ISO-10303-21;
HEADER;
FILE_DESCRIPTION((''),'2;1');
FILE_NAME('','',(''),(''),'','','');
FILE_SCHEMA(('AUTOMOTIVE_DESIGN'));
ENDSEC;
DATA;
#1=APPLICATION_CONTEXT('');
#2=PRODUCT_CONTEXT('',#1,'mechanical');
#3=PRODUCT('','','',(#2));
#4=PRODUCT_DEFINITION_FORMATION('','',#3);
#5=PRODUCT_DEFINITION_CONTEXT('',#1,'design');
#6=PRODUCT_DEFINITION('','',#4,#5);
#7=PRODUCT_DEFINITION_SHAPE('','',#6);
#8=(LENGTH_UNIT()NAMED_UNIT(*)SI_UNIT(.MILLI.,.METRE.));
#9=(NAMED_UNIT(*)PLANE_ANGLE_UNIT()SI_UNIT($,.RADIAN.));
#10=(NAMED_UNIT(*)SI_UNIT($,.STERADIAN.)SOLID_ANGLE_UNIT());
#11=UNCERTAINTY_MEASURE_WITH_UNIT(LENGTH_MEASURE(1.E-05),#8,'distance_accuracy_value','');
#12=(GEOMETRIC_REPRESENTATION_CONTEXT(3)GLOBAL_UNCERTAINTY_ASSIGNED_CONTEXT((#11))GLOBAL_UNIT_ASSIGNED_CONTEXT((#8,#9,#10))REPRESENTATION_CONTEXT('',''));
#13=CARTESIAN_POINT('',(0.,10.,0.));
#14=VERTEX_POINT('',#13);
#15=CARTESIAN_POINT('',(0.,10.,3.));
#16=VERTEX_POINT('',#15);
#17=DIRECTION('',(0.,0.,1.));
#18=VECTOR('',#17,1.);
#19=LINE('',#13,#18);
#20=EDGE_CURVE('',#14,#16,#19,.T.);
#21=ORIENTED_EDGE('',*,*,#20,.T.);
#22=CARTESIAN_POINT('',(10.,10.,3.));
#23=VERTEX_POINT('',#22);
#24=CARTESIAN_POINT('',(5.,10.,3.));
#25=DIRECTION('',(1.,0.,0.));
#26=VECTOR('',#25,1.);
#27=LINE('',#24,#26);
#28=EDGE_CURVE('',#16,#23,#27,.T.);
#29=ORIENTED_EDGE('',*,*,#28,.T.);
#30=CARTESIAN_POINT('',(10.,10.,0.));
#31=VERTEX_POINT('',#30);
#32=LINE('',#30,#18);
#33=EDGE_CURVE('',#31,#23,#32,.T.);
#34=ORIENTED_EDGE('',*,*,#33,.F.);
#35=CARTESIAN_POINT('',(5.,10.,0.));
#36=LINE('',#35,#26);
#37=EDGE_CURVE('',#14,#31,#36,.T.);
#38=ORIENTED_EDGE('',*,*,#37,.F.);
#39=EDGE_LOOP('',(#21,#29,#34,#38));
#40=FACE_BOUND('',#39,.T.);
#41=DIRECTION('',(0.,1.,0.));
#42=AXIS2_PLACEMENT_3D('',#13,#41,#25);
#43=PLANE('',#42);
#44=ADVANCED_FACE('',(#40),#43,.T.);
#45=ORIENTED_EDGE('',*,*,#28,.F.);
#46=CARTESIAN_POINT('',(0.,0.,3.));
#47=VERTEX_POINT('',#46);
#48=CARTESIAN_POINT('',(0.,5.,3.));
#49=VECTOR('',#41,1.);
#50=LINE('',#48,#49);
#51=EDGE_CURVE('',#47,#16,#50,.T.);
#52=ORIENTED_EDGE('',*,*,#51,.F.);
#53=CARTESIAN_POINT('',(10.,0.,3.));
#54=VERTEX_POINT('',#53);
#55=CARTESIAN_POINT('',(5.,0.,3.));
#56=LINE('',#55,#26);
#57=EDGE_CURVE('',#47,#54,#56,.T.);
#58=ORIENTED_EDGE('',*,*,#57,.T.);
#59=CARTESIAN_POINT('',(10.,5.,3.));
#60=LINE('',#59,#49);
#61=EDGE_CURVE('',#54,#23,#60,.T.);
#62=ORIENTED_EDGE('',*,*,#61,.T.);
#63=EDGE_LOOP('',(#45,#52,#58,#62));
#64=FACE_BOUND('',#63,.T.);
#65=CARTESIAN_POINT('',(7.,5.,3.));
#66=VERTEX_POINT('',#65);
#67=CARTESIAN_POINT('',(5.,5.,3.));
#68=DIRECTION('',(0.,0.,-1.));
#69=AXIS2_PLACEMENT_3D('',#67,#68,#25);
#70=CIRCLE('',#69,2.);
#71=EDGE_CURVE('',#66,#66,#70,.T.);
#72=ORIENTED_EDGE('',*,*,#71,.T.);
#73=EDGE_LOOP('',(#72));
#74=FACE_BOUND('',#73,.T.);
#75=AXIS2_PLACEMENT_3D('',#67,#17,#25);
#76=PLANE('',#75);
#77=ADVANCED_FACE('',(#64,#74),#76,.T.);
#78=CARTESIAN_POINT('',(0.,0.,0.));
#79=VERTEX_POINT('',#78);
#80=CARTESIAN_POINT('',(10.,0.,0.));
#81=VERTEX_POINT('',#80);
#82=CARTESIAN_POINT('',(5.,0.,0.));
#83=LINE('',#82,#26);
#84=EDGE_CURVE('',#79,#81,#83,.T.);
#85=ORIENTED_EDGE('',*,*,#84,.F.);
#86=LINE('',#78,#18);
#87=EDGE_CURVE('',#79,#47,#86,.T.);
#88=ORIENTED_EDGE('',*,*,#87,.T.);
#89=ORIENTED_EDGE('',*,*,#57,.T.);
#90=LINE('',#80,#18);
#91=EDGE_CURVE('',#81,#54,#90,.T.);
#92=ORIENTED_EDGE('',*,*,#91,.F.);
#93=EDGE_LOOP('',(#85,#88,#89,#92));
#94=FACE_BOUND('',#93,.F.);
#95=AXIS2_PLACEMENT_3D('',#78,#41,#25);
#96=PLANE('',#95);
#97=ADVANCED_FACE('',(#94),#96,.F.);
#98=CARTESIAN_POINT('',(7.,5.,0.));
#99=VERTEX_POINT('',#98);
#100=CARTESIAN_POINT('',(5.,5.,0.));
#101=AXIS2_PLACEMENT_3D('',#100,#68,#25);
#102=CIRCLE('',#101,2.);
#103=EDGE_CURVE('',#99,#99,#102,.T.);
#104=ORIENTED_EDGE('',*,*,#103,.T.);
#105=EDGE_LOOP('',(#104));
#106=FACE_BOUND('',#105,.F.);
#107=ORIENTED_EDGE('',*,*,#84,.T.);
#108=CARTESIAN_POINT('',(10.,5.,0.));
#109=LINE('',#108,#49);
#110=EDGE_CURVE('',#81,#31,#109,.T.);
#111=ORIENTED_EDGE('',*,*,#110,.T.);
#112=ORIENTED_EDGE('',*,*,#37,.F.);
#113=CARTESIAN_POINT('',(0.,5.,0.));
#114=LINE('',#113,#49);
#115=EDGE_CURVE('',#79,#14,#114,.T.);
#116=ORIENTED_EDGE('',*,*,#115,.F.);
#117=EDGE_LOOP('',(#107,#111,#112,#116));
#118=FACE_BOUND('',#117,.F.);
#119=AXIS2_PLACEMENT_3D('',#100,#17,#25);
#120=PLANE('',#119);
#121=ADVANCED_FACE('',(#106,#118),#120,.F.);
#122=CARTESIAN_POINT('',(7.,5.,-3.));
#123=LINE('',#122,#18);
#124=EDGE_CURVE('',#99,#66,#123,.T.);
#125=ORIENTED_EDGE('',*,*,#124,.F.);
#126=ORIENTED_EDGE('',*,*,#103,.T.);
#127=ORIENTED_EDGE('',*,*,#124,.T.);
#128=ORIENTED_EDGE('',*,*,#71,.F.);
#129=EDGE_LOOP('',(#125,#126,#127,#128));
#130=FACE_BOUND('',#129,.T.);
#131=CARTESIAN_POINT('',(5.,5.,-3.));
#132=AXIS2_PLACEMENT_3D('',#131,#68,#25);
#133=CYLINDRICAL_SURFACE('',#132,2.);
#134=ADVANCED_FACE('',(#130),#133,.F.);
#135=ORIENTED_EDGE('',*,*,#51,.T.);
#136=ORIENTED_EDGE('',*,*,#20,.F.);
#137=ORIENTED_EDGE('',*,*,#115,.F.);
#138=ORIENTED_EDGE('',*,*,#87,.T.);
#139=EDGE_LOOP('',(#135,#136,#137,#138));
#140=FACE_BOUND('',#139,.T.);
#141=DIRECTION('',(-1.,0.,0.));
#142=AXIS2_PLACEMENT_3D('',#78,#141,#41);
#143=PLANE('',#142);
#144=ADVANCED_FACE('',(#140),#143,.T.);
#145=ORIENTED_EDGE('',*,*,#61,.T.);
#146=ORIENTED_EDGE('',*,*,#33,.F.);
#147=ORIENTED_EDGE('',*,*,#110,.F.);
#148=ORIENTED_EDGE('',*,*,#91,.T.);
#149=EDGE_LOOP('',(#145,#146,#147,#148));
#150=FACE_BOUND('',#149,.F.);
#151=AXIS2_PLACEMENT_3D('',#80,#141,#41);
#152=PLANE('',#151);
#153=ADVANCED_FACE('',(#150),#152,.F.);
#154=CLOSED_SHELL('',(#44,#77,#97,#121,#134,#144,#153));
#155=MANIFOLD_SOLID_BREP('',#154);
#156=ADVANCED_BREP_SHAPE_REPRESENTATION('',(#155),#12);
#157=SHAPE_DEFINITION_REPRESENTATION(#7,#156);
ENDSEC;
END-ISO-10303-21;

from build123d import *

# Parameters (mm, degrees)
CYLINDER_R     = 2
CYLINDER_DEPTH = 10
BOX_W          = 10
BOX_H          = 10
BOX_DEPTH      = 3


with BuildPart() as cilindro:
    # Cylinder → Cylinder (new body)
    with BuildSketch(Plane(origin=(5, 5, -3), x_dir=(1, 0, 0), z_dir=(0, 0, 1))):
        Circle(CYLINDER_R)
    extrude(amount=CYLINDER_DEPTH)


with BuildPart() as cut:
    # Box → Box (new body)
    with BuildSketch(Plane.XY):
        with Locations((5, 5)):
            Rectangle(BOX_W, BOX_H)
    extrude(amount=BOX_DEPTH)

    # Cut: cut Cilindro
    add(cilindro.part, mode=Mode.SUBTRACT)


solid = cut.part
